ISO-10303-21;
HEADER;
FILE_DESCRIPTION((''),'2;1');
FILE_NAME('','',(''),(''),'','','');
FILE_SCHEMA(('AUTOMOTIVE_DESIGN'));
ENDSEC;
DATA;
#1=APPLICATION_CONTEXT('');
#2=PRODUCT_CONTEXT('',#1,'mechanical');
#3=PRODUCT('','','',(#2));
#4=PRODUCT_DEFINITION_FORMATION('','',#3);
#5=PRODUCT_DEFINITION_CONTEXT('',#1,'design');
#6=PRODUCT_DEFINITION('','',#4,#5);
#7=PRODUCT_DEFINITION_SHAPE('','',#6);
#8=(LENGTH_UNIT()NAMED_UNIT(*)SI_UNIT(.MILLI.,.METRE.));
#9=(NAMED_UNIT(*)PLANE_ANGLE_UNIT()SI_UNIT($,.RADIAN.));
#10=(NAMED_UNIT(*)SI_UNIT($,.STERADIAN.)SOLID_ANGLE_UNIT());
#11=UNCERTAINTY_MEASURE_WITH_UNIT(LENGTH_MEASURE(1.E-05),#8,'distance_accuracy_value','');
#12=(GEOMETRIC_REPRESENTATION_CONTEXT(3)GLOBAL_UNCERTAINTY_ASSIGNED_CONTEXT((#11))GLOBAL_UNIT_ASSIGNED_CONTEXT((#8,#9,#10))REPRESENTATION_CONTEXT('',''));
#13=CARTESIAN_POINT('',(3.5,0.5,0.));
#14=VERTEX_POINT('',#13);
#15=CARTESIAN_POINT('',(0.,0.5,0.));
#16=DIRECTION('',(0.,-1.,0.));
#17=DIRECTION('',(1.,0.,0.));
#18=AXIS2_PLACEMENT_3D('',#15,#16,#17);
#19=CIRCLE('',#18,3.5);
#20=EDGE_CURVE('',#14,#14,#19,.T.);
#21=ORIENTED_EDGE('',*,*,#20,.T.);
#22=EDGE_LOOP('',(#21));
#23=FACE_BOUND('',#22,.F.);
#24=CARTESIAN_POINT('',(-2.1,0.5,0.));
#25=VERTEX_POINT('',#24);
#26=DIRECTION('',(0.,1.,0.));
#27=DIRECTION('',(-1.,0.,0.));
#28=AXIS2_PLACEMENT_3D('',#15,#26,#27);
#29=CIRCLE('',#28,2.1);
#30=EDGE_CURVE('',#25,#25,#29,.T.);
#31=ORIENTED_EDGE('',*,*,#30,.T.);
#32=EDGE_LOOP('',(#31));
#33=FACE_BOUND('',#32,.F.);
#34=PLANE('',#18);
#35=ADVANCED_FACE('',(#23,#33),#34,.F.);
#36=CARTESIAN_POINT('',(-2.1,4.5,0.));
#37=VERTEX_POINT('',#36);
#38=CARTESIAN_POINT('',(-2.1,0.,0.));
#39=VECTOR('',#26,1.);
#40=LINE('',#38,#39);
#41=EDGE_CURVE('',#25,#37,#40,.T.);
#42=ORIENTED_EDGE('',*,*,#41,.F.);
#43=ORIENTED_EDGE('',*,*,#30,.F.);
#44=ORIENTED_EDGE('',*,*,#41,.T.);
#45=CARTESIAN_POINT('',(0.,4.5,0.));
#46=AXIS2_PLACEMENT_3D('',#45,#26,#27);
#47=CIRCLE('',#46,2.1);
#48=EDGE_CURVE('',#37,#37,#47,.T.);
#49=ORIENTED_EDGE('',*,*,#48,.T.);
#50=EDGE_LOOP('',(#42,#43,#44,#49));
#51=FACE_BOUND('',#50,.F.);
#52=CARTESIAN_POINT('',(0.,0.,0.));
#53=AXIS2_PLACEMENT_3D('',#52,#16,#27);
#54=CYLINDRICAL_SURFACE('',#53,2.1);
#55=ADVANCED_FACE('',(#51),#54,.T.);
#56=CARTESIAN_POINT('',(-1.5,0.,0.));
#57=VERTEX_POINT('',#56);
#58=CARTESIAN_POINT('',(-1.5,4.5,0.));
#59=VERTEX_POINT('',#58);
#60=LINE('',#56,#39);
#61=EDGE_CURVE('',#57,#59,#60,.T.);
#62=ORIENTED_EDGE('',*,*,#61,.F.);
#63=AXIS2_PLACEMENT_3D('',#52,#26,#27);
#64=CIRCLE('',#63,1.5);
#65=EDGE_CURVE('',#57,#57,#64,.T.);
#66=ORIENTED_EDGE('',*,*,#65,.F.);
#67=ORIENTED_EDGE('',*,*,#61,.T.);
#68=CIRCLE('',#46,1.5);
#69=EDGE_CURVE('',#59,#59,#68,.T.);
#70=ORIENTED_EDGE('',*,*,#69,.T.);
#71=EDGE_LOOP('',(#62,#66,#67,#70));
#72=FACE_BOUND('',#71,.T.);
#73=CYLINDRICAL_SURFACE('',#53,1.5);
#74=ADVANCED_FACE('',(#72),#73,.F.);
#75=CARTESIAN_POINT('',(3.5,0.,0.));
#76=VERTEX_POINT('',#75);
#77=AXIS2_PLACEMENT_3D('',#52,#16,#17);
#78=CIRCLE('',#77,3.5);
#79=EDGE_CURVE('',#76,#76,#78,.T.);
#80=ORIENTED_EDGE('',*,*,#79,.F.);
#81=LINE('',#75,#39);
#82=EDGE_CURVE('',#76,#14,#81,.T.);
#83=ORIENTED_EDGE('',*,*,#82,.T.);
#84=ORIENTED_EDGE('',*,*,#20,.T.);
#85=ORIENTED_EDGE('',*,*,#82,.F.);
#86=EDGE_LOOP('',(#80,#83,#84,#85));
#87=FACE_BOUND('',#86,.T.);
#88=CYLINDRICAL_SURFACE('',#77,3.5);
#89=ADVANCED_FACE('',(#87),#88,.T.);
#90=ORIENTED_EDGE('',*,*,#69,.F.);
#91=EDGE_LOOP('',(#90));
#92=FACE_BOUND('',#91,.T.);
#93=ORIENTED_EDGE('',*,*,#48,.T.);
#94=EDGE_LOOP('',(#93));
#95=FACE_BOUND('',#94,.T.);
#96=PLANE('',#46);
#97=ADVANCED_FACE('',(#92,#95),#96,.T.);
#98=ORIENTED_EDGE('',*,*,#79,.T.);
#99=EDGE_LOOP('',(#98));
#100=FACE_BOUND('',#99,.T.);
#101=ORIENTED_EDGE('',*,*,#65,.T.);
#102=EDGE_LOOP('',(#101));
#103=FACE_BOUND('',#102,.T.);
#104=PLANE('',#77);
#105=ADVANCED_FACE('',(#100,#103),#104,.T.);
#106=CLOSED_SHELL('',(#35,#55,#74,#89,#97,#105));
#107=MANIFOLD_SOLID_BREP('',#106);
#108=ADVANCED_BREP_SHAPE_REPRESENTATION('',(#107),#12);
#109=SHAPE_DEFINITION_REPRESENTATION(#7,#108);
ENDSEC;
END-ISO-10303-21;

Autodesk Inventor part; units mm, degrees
ref_plane "YZ Plane" through (0, 0, 0) normal (1, 0, 0) x (0, 1, 0)
ref_plane "XZ Plane" through (0, 0, 0) normal (0, 1, 0) x (-1, 0, 0)
ref_plane "XY Plane" through (0, 0, 0) normal (0, 0, 1) x (1, 0, 0)
sketch "Sketch1" plane through (0, 0, 0) normal (0, 1, 0) x (-1, 0, 0)
  circle A0 centre (0, 0) radius 2.1
  circle A1 centre (0, 0) radius 1.5
  dimension "d0" = 4.2
  dimension "d1" = 3
extrude "Extrusion1" add sketch "Sketch1" along normal blind 4.5
sketch "Sketch2" plane through (0, 0, 0) normal (0, -1, 0) x (1, 0, 0)
  circle A0 centre (0, 0) radius 3.5
  circle A1 centre (0, 0) radius 2.1
  dimension "d4" = 7
  dimension "d5" = 4.2
extrude "Extrusion2" add sketch "Sketch2" against normal blind 0.5
properties part number "RCT-H019"
